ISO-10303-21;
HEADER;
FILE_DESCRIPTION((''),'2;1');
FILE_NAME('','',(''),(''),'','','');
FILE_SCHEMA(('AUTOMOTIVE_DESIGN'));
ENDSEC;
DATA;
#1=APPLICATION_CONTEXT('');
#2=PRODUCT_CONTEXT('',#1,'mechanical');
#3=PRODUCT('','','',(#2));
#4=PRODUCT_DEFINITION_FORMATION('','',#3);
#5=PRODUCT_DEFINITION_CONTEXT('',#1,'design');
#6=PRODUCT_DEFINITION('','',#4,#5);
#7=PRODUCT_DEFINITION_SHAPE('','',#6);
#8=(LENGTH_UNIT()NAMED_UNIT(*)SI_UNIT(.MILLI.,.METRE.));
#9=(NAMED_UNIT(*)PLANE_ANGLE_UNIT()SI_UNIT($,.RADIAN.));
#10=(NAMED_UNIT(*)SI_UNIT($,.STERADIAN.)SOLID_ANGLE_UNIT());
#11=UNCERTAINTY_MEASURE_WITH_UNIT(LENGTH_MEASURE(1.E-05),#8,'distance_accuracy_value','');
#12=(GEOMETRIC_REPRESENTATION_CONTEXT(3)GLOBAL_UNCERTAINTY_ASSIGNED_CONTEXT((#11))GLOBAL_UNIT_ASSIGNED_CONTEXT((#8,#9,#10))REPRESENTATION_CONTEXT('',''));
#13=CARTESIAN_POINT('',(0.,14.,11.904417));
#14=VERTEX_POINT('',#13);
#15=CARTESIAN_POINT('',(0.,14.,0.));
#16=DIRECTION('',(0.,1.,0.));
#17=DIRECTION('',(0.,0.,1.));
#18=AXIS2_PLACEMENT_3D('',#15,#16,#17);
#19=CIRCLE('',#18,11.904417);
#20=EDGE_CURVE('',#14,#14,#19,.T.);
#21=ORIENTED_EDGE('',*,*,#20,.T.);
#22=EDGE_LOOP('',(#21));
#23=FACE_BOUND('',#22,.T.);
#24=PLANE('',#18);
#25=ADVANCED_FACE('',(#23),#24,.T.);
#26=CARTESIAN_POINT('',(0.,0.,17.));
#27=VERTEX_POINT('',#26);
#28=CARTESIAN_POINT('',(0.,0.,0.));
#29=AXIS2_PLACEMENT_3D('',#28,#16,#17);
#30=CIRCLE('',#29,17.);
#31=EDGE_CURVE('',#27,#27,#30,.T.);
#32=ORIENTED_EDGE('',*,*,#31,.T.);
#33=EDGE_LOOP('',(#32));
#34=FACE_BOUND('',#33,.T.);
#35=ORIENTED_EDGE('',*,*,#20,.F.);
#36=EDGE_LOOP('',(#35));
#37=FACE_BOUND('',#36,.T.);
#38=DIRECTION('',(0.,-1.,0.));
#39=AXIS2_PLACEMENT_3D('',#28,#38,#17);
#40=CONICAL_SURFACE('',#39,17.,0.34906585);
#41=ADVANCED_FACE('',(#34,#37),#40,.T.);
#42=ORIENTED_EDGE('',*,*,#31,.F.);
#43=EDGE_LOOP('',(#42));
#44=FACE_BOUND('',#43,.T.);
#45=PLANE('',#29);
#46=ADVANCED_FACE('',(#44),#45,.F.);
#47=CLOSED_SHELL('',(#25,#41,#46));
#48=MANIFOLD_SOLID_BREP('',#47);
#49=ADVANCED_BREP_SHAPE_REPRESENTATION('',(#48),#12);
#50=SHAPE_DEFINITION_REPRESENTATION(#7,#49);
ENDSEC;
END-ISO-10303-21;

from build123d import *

# Parameters (mm, degrees)
SKETCH_1_R      = 17
EXTRUDE_1_DEPTH = 14
EXTRUDE_1_TAPER = 20


with BuildPart() as part:
    # 草图1 → 凸台-拉伸1 (new body)
    with BuildSketch(Plane(origin=(0, 0, 0), x_dir=(1, 0, 0), z_dir=(0, 1, 0))):
        Circle(SKETCH_1_R)
    extrude(amount=EXTRUDE_1_DEPTH, taper=EXTRUDE_1_TAPER)


solid = part.part
